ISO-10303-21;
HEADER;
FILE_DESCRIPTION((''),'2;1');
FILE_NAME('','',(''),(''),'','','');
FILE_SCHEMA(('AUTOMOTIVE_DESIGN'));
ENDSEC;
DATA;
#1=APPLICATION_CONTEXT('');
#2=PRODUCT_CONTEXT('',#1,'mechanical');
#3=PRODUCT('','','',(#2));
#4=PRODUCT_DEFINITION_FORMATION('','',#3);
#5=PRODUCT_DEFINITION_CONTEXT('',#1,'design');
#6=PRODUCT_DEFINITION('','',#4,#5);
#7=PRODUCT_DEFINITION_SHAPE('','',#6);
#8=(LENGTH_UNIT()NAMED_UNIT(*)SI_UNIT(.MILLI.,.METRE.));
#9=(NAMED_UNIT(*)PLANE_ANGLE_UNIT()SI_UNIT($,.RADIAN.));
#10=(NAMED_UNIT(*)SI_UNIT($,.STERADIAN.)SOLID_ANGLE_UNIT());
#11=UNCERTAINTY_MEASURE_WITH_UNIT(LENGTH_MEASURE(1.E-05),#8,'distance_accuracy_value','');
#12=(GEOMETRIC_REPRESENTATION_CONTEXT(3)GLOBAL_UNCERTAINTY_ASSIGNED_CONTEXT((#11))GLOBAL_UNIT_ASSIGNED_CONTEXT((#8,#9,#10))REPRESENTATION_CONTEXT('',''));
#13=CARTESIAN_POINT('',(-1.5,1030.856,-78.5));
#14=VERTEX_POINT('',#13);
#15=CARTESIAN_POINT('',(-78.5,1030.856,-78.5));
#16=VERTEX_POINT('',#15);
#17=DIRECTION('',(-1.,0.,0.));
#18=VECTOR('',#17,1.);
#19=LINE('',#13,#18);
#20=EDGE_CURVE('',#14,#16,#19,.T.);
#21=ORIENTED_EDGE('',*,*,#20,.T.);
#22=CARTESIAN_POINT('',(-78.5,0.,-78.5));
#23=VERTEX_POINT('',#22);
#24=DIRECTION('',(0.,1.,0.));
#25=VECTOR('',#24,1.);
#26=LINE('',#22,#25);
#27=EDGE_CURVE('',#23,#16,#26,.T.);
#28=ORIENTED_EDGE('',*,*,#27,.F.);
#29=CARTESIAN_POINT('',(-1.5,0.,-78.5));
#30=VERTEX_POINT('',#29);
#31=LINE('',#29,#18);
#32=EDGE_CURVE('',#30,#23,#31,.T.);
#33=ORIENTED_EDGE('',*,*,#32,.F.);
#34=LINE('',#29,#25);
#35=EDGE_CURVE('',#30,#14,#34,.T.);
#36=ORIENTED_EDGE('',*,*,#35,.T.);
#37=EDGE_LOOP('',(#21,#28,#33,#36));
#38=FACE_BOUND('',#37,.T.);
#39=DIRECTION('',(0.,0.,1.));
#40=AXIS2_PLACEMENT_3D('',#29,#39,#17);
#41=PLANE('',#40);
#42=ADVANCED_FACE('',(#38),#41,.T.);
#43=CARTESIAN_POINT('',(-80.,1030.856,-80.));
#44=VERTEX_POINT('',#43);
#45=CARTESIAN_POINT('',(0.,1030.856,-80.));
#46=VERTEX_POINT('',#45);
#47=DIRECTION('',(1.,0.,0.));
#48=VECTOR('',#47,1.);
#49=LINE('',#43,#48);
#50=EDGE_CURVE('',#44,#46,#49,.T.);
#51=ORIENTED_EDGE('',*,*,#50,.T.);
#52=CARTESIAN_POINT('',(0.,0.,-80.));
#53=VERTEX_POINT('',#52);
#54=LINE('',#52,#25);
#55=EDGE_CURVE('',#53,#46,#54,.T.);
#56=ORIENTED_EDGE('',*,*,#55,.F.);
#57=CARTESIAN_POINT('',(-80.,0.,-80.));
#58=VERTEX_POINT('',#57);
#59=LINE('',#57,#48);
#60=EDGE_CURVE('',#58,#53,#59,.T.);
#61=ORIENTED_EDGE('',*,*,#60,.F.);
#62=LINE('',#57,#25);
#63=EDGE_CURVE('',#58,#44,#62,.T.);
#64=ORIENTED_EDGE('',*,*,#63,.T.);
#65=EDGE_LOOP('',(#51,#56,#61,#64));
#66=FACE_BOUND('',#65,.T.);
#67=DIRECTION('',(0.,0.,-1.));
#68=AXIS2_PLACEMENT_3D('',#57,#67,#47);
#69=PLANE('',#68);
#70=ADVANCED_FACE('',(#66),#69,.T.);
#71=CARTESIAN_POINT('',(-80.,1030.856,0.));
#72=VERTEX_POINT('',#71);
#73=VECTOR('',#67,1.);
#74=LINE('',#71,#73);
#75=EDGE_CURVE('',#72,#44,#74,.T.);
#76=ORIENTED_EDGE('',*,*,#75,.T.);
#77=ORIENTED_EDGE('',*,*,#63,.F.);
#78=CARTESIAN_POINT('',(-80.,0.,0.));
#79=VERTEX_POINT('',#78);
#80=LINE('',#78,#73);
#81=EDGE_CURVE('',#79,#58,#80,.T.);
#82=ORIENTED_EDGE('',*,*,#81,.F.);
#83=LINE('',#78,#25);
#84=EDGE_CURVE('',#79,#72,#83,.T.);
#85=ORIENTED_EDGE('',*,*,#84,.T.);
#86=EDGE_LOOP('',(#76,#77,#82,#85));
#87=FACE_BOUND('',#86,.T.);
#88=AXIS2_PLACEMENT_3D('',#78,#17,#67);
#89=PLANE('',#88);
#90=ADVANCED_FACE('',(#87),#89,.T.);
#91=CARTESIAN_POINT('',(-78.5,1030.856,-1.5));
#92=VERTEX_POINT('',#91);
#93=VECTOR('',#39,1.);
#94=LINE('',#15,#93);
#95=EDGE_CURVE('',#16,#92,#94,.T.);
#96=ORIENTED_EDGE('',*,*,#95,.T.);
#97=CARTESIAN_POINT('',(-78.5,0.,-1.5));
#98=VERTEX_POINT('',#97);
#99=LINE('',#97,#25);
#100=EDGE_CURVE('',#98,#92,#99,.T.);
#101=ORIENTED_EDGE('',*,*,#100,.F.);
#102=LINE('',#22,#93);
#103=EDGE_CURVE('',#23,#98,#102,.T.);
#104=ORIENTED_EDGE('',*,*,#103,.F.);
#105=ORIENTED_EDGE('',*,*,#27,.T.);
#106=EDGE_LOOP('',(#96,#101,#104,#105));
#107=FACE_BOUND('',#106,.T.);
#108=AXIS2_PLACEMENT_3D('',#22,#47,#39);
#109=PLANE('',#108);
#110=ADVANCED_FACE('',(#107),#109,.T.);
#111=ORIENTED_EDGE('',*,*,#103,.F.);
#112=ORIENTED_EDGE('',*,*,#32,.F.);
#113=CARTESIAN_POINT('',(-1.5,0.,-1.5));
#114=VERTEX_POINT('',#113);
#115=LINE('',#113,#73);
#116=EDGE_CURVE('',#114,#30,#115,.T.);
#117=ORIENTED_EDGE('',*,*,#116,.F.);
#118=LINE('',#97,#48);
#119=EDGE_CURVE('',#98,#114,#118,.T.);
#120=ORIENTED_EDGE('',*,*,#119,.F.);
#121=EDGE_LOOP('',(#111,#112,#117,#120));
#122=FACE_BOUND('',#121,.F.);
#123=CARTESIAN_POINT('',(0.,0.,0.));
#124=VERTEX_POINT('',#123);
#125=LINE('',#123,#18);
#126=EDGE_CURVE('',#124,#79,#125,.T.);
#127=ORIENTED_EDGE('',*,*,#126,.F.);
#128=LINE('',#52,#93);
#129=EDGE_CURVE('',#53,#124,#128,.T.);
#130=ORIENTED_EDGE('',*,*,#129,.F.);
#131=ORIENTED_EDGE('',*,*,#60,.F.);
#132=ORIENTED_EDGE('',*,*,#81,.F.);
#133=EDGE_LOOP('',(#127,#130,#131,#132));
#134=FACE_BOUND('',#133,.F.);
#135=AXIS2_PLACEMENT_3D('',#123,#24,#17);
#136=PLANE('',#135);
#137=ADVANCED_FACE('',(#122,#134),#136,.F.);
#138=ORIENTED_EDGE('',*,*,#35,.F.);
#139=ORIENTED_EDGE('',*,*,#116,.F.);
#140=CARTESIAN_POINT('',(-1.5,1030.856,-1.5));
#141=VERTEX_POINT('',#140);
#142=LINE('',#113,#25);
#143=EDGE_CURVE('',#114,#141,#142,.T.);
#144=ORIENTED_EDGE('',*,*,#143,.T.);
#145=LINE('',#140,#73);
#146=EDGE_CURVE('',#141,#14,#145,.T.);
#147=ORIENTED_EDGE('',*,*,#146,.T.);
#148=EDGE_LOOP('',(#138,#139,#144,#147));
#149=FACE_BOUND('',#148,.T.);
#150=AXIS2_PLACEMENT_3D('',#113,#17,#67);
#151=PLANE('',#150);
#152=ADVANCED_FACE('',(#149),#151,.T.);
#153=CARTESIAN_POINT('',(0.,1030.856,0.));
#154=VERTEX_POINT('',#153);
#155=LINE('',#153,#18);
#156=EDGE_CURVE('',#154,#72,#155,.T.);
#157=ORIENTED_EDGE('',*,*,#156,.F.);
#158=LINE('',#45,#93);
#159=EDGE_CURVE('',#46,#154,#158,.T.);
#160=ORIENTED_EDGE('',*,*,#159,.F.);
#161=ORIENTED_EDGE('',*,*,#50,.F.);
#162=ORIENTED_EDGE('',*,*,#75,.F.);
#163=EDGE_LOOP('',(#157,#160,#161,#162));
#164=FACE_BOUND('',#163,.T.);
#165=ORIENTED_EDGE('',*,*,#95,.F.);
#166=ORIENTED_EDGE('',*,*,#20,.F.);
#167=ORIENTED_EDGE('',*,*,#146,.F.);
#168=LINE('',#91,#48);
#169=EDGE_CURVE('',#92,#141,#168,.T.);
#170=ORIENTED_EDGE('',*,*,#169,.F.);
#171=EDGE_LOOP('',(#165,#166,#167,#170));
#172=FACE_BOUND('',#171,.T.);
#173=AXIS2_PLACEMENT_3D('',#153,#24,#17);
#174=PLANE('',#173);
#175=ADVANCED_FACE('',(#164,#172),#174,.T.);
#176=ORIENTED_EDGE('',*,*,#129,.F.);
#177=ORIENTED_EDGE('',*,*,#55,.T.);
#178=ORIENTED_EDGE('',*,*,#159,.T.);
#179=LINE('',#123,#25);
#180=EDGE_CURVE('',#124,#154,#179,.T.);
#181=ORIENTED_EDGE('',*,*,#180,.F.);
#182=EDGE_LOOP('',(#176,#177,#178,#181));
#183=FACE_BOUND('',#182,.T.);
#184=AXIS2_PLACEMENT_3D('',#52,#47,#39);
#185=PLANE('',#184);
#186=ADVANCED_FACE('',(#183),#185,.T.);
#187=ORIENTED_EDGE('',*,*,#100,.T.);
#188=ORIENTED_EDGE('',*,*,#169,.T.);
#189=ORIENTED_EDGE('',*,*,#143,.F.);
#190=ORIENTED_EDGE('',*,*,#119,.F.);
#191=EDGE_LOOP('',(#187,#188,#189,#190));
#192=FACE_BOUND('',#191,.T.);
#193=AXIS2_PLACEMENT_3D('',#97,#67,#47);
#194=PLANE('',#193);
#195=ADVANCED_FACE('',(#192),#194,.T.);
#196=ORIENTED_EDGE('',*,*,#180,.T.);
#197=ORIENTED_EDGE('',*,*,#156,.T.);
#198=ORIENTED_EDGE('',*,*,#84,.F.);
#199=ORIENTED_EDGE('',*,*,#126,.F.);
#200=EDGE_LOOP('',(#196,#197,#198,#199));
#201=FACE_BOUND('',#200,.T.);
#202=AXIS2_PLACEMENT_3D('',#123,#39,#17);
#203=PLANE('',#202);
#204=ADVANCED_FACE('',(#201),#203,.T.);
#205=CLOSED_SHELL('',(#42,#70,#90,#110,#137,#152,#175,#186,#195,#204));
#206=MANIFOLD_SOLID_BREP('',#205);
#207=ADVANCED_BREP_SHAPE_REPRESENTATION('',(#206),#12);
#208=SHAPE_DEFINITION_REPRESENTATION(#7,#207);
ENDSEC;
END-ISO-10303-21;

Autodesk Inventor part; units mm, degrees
ref_plane "YZ Plane" through (0, 0, 0) normal (1, 0, 0) x (0, 1, 0)
ref_plane "XZ Plane" through (0, 0, 0) normal (0, 1, 0) x (-1, 0, 0)
ref_plane "XY Plane" through (0, 0, 0) normal (0, 0, 1) x (1, 0, 0)
sketch "Boceto1" plane through (0, 0, 0) normal (0, 1, 0) x (-1, 0, 0)
  line L0 (0, 0) -> (80, 0)
  line L1 (80, 0) -> (80, -80)
  line L2 (80, -80) -> (0, -80)
  line L3 (0, -80) -> (0, 0)
  line L4 (1.5, -78.5) -> (78.5, -78.5)
  line L5 (78.5, -78.5) -> (78.5, -1.5)
  line L6 (78.5, -1.5) -> (1.5, -1.5)
  line L7 (1.5, -1.5) -> (1.5, -78.5)
  line L8 (1.5, -78.5) -> (78.5, -1.5) construction
  line L9 (78.5, -78.5) -> (1.5, -1.5) construction
  point P0 (40, -40)
  dimension "d0" = 80
  dimension "d1" = 80
  dimension "d2" = 77
  dimension "d3" = 77
extrude "Extrusión1" add sketch "Boceto1" along normal blind 1030.856
properties part number "Pata_mesa"
